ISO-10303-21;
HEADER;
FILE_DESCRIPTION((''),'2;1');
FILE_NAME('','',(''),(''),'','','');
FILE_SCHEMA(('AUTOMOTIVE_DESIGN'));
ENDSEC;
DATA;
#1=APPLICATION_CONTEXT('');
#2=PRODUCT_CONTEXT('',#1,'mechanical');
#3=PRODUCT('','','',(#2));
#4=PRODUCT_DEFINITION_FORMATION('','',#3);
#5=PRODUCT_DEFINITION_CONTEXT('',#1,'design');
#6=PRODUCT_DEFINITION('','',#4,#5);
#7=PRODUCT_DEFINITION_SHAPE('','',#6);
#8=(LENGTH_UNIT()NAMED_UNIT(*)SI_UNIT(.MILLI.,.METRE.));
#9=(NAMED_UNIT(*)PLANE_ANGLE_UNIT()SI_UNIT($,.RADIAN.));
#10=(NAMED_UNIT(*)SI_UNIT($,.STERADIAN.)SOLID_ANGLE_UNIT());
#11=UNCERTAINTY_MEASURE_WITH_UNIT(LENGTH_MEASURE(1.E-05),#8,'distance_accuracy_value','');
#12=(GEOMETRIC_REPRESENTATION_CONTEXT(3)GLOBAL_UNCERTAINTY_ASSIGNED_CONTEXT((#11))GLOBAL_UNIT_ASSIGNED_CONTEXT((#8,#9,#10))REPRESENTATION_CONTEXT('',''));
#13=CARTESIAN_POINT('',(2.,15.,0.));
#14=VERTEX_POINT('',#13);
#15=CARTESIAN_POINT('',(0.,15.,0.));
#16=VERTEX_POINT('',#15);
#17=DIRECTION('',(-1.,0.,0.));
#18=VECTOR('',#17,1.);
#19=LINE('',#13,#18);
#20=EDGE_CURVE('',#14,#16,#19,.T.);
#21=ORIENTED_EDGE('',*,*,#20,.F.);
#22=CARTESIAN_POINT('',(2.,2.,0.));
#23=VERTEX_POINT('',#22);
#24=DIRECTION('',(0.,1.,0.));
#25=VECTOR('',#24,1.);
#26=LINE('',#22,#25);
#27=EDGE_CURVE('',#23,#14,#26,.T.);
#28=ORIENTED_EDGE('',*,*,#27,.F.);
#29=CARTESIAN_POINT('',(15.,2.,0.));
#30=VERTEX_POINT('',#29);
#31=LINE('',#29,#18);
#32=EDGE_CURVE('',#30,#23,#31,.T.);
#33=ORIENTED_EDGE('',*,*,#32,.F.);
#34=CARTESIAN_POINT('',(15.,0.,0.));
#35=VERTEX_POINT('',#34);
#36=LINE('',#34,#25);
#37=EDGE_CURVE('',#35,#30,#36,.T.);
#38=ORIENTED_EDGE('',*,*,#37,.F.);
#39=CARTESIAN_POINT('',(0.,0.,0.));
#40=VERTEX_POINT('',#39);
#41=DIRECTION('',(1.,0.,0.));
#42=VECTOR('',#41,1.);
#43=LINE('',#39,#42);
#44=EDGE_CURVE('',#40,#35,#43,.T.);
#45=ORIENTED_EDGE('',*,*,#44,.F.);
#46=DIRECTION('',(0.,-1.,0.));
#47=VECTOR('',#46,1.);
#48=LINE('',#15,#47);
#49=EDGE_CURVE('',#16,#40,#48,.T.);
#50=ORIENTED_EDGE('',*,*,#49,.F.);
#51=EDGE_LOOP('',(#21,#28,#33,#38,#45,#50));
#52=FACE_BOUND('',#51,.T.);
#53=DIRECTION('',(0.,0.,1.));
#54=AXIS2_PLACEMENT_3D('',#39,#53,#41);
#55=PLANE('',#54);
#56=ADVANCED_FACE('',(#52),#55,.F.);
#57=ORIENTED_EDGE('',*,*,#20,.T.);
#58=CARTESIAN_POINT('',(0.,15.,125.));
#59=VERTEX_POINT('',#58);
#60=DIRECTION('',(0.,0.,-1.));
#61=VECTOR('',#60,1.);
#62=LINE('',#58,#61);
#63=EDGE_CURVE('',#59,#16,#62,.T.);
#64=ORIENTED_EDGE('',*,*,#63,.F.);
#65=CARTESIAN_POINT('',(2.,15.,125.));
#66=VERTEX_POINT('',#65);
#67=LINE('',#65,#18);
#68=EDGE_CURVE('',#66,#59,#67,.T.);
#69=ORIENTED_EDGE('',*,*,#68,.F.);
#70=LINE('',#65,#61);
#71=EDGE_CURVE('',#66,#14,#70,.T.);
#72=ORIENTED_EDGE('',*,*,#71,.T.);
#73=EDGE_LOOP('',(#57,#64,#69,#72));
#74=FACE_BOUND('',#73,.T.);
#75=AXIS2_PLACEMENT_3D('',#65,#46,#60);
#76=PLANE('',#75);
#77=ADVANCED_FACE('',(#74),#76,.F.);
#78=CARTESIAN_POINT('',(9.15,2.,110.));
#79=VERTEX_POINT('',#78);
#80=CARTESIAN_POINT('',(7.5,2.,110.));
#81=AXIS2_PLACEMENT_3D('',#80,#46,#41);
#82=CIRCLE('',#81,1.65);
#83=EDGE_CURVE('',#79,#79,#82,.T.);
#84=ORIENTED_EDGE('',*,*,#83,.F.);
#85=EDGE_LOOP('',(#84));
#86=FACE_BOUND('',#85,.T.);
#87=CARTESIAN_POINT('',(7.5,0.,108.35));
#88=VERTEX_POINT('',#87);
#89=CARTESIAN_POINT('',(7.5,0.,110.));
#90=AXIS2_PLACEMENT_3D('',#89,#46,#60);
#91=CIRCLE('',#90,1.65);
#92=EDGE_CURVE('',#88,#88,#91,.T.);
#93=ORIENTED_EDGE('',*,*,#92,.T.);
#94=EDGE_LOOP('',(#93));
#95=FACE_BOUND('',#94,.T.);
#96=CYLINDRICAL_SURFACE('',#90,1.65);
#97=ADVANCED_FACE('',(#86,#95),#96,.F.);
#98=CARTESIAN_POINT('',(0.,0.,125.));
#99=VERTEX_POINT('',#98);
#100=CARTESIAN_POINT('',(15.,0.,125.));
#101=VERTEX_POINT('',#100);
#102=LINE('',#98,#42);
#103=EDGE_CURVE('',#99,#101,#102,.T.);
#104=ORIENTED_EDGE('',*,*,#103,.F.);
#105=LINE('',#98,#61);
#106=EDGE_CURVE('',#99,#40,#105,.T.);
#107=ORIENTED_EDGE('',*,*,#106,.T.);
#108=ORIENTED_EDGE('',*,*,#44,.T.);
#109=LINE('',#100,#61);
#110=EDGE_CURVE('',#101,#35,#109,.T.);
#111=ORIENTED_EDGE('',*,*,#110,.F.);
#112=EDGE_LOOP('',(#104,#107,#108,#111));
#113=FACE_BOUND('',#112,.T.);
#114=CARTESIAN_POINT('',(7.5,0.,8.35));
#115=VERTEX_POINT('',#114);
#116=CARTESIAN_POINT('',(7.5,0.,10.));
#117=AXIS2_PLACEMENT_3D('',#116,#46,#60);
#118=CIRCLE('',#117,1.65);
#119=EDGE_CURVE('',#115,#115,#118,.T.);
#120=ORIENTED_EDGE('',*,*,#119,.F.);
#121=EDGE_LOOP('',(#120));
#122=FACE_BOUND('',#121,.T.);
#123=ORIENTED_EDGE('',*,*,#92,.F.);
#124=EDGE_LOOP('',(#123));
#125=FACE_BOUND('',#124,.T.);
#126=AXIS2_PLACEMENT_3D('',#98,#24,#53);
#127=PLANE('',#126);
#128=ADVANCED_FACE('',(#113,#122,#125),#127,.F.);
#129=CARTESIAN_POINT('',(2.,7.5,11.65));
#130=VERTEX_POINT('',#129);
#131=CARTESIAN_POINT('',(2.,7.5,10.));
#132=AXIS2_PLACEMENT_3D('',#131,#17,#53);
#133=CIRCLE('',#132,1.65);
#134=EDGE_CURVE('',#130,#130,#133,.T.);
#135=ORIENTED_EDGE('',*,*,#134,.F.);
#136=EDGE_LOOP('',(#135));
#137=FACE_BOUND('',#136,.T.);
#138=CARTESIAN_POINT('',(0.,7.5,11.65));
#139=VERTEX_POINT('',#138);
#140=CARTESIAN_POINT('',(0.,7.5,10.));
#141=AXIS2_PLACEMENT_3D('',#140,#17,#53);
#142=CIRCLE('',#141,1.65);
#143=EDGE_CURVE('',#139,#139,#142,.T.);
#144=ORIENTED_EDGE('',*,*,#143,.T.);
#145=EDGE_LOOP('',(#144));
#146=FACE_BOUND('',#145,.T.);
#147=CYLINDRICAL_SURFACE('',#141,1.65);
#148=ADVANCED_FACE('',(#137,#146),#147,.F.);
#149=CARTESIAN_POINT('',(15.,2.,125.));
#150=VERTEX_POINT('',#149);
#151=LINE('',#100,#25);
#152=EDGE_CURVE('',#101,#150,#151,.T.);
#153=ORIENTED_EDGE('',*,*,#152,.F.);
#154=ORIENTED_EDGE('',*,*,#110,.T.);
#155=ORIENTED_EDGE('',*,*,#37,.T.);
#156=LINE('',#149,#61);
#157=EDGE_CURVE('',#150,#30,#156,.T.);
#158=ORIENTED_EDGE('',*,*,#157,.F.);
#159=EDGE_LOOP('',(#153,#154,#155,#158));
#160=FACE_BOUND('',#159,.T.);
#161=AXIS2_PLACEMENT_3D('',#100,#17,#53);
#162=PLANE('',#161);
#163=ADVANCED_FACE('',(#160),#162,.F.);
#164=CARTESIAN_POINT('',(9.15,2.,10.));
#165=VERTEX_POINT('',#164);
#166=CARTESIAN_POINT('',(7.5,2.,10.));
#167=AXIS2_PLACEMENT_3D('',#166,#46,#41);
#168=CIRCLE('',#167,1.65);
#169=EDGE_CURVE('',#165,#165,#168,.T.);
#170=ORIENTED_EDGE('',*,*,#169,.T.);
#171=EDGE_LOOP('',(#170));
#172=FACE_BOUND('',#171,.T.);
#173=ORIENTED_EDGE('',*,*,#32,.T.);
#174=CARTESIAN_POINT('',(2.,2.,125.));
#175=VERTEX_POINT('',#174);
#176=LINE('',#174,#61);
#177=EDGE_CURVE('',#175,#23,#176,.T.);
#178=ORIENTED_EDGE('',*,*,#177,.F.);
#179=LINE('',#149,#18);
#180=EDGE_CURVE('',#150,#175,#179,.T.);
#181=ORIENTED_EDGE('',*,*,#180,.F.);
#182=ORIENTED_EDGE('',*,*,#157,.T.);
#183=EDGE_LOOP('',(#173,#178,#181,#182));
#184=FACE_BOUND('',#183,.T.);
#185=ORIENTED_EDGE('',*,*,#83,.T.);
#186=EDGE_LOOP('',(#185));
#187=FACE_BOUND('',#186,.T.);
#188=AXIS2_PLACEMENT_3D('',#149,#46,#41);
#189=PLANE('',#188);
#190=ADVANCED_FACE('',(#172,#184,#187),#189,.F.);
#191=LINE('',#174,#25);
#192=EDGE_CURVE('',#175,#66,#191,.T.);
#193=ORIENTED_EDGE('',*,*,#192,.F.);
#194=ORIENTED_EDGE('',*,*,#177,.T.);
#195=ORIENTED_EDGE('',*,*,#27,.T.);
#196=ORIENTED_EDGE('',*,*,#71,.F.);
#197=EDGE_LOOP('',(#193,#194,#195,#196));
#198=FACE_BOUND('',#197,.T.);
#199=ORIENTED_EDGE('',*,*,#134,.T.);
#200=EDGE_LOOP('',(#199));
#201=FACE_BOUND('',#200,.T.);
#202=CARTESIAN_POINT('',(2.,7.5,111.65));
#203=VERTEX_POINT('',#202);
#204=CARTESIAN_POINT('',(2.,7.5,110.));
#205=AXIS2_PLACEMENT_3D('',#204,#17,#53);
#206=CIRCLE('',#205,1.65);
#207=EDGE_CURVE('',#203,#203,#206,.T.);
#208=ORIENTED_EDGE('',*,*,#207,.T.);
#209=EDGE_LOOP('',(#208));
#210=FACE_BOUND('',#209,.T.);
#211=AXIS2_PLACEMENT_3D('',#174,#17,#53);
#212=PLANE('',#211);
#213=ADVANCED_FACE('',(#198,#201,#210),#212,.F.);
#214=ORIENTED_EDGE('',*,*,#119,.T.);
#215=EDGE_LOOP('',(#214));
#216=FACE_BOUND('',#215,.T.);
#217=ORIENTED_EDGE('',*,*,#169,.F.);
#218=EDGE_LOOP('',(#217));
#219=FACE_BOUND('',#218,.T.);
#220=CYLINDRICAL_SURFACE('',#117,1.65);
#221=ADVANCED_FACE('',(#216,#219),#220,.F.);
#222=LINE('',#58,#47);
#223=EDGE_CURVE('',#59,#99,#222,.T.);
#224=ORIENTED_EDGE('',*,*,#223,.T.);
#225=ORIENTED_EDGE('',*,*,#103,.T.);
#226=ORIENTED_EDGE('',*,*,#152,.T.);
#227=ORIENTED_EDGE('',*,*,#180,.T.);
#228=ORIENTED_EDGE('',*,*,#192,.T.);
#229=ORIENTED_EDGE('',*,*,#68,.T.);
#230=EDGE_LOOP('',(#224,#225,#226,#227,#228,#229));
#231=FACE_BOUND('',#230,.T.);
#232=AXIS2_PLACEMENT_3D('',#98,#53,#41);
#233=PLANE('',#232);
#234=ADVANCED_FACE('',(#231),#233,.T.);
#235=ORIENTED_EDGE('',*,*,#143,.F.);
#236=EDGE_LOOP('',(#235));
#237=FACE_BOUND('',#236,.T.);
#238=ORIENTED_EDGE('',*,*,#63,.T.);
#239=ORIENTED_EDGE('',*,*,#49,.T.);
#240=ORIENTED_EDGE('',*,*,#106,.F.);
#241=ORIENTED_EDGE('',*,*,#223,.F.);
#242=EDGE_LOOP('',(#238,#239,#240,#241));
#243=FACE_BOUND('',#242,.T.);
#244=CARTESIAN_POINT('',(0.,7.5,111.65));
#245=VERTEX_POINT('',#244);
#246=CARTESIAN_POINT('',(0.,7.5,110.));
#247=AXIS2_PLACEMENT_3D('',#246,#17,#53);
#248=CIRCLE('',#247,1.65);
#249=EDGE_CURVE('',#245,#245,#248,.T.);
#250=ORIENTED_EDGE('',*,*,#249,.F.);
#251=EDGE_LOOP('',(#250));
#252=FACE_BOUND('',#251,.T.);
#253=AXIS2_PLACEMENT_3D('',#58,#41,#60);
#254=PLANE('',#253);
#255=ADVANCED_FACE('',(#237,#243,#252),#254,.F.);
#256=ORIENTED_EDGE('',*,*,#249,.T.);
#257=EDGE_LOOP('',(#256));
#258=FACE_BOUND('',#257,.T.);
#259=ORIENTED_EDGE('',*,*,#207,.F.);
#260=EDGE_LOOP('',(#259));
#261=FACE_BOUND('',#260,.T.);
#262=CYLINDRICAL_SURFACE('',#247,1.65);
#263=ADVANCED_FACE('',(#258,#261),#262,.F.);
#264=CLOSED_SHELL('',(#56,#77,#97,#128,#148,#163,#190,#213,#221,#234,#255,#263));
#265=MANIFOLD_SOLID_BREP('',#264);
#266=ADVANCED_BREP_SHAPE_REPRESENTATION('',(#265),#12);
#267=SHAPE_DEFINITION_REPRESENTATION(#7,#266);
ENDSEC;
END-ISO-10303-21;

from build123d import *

# Parameters (mm, degrees)
EXTRUDE_1_DEPTH          = 125
M4X0_7_1_D               = 3.3
M4X0_7_1_DEPTH           = 11.5
M4X0_7_1_TIP             = 0.991420021
M4X0_7_1_ON_FACE_2_D     = 3.3
M4X0_7_1_ON_FACE_2_DEPTH = 11.5
M4X0_7_1_ON_FACE_2_TIP   = 0.991420021


with BuildPart() as part:
    # ｽｹｯﾁ1 → ﾎﾞｽ - 押し出し1 (new body)
    with BuildSketch(Plane.XY):
        Polygon((0, 0), (15, 0), (15, 2), (2, 2), (2, 15), (0, 15), align=None)
    extrude(amount=EXTRUDE_1_DEPTH)

    # M4x0.7 ねじ穴1
    with Locations(Plane(origin=(7.5, 0, 10), x_dir=(0, 0, -1), z_dir=(0, -1, 0))):
        with Locations((0, 0), (-100, 0)):
            Hole(M4X0_7_1_D / 2, depth=M4X0_7_1_DEPTH)
            with Locations((0, 0, -(M4X0_7_1_DEPTH + M4X0_7_1_TIP / 2))):  # 118° drill point
                Cone(0, M4X0_7_1_D / 2, M4X0_7_1_TIP, mode=Mode.SUBTRACT)

    # M4x0.7 ねじ穴1 on face 2
    with Locations(Plane(origin=(0, 7.5, 110), x_dir=(0, 0, -1), z_dir=(-1, 0, 0))):
        with Locations((0, 0), (100, 0)):
            Hole(M4X0_7_1_ON_FACE_2_D / 2, depth=M4X0_7_1_ON_FACE_2_DEPTH)
            with Locations((0, 0, -(M4X0_7_1_ON_FACE_2_DEPTH + M4X0_7_1_ON_FACE_2_TIP / 2))):  # 118° drill point
                Cone(0, M4X0_7_1_ON_FACE_2_D / 2, M4X0_7_1_ON_FACE_2_TIP, mode=Mode.SUBTRACT)


solid = part.part
